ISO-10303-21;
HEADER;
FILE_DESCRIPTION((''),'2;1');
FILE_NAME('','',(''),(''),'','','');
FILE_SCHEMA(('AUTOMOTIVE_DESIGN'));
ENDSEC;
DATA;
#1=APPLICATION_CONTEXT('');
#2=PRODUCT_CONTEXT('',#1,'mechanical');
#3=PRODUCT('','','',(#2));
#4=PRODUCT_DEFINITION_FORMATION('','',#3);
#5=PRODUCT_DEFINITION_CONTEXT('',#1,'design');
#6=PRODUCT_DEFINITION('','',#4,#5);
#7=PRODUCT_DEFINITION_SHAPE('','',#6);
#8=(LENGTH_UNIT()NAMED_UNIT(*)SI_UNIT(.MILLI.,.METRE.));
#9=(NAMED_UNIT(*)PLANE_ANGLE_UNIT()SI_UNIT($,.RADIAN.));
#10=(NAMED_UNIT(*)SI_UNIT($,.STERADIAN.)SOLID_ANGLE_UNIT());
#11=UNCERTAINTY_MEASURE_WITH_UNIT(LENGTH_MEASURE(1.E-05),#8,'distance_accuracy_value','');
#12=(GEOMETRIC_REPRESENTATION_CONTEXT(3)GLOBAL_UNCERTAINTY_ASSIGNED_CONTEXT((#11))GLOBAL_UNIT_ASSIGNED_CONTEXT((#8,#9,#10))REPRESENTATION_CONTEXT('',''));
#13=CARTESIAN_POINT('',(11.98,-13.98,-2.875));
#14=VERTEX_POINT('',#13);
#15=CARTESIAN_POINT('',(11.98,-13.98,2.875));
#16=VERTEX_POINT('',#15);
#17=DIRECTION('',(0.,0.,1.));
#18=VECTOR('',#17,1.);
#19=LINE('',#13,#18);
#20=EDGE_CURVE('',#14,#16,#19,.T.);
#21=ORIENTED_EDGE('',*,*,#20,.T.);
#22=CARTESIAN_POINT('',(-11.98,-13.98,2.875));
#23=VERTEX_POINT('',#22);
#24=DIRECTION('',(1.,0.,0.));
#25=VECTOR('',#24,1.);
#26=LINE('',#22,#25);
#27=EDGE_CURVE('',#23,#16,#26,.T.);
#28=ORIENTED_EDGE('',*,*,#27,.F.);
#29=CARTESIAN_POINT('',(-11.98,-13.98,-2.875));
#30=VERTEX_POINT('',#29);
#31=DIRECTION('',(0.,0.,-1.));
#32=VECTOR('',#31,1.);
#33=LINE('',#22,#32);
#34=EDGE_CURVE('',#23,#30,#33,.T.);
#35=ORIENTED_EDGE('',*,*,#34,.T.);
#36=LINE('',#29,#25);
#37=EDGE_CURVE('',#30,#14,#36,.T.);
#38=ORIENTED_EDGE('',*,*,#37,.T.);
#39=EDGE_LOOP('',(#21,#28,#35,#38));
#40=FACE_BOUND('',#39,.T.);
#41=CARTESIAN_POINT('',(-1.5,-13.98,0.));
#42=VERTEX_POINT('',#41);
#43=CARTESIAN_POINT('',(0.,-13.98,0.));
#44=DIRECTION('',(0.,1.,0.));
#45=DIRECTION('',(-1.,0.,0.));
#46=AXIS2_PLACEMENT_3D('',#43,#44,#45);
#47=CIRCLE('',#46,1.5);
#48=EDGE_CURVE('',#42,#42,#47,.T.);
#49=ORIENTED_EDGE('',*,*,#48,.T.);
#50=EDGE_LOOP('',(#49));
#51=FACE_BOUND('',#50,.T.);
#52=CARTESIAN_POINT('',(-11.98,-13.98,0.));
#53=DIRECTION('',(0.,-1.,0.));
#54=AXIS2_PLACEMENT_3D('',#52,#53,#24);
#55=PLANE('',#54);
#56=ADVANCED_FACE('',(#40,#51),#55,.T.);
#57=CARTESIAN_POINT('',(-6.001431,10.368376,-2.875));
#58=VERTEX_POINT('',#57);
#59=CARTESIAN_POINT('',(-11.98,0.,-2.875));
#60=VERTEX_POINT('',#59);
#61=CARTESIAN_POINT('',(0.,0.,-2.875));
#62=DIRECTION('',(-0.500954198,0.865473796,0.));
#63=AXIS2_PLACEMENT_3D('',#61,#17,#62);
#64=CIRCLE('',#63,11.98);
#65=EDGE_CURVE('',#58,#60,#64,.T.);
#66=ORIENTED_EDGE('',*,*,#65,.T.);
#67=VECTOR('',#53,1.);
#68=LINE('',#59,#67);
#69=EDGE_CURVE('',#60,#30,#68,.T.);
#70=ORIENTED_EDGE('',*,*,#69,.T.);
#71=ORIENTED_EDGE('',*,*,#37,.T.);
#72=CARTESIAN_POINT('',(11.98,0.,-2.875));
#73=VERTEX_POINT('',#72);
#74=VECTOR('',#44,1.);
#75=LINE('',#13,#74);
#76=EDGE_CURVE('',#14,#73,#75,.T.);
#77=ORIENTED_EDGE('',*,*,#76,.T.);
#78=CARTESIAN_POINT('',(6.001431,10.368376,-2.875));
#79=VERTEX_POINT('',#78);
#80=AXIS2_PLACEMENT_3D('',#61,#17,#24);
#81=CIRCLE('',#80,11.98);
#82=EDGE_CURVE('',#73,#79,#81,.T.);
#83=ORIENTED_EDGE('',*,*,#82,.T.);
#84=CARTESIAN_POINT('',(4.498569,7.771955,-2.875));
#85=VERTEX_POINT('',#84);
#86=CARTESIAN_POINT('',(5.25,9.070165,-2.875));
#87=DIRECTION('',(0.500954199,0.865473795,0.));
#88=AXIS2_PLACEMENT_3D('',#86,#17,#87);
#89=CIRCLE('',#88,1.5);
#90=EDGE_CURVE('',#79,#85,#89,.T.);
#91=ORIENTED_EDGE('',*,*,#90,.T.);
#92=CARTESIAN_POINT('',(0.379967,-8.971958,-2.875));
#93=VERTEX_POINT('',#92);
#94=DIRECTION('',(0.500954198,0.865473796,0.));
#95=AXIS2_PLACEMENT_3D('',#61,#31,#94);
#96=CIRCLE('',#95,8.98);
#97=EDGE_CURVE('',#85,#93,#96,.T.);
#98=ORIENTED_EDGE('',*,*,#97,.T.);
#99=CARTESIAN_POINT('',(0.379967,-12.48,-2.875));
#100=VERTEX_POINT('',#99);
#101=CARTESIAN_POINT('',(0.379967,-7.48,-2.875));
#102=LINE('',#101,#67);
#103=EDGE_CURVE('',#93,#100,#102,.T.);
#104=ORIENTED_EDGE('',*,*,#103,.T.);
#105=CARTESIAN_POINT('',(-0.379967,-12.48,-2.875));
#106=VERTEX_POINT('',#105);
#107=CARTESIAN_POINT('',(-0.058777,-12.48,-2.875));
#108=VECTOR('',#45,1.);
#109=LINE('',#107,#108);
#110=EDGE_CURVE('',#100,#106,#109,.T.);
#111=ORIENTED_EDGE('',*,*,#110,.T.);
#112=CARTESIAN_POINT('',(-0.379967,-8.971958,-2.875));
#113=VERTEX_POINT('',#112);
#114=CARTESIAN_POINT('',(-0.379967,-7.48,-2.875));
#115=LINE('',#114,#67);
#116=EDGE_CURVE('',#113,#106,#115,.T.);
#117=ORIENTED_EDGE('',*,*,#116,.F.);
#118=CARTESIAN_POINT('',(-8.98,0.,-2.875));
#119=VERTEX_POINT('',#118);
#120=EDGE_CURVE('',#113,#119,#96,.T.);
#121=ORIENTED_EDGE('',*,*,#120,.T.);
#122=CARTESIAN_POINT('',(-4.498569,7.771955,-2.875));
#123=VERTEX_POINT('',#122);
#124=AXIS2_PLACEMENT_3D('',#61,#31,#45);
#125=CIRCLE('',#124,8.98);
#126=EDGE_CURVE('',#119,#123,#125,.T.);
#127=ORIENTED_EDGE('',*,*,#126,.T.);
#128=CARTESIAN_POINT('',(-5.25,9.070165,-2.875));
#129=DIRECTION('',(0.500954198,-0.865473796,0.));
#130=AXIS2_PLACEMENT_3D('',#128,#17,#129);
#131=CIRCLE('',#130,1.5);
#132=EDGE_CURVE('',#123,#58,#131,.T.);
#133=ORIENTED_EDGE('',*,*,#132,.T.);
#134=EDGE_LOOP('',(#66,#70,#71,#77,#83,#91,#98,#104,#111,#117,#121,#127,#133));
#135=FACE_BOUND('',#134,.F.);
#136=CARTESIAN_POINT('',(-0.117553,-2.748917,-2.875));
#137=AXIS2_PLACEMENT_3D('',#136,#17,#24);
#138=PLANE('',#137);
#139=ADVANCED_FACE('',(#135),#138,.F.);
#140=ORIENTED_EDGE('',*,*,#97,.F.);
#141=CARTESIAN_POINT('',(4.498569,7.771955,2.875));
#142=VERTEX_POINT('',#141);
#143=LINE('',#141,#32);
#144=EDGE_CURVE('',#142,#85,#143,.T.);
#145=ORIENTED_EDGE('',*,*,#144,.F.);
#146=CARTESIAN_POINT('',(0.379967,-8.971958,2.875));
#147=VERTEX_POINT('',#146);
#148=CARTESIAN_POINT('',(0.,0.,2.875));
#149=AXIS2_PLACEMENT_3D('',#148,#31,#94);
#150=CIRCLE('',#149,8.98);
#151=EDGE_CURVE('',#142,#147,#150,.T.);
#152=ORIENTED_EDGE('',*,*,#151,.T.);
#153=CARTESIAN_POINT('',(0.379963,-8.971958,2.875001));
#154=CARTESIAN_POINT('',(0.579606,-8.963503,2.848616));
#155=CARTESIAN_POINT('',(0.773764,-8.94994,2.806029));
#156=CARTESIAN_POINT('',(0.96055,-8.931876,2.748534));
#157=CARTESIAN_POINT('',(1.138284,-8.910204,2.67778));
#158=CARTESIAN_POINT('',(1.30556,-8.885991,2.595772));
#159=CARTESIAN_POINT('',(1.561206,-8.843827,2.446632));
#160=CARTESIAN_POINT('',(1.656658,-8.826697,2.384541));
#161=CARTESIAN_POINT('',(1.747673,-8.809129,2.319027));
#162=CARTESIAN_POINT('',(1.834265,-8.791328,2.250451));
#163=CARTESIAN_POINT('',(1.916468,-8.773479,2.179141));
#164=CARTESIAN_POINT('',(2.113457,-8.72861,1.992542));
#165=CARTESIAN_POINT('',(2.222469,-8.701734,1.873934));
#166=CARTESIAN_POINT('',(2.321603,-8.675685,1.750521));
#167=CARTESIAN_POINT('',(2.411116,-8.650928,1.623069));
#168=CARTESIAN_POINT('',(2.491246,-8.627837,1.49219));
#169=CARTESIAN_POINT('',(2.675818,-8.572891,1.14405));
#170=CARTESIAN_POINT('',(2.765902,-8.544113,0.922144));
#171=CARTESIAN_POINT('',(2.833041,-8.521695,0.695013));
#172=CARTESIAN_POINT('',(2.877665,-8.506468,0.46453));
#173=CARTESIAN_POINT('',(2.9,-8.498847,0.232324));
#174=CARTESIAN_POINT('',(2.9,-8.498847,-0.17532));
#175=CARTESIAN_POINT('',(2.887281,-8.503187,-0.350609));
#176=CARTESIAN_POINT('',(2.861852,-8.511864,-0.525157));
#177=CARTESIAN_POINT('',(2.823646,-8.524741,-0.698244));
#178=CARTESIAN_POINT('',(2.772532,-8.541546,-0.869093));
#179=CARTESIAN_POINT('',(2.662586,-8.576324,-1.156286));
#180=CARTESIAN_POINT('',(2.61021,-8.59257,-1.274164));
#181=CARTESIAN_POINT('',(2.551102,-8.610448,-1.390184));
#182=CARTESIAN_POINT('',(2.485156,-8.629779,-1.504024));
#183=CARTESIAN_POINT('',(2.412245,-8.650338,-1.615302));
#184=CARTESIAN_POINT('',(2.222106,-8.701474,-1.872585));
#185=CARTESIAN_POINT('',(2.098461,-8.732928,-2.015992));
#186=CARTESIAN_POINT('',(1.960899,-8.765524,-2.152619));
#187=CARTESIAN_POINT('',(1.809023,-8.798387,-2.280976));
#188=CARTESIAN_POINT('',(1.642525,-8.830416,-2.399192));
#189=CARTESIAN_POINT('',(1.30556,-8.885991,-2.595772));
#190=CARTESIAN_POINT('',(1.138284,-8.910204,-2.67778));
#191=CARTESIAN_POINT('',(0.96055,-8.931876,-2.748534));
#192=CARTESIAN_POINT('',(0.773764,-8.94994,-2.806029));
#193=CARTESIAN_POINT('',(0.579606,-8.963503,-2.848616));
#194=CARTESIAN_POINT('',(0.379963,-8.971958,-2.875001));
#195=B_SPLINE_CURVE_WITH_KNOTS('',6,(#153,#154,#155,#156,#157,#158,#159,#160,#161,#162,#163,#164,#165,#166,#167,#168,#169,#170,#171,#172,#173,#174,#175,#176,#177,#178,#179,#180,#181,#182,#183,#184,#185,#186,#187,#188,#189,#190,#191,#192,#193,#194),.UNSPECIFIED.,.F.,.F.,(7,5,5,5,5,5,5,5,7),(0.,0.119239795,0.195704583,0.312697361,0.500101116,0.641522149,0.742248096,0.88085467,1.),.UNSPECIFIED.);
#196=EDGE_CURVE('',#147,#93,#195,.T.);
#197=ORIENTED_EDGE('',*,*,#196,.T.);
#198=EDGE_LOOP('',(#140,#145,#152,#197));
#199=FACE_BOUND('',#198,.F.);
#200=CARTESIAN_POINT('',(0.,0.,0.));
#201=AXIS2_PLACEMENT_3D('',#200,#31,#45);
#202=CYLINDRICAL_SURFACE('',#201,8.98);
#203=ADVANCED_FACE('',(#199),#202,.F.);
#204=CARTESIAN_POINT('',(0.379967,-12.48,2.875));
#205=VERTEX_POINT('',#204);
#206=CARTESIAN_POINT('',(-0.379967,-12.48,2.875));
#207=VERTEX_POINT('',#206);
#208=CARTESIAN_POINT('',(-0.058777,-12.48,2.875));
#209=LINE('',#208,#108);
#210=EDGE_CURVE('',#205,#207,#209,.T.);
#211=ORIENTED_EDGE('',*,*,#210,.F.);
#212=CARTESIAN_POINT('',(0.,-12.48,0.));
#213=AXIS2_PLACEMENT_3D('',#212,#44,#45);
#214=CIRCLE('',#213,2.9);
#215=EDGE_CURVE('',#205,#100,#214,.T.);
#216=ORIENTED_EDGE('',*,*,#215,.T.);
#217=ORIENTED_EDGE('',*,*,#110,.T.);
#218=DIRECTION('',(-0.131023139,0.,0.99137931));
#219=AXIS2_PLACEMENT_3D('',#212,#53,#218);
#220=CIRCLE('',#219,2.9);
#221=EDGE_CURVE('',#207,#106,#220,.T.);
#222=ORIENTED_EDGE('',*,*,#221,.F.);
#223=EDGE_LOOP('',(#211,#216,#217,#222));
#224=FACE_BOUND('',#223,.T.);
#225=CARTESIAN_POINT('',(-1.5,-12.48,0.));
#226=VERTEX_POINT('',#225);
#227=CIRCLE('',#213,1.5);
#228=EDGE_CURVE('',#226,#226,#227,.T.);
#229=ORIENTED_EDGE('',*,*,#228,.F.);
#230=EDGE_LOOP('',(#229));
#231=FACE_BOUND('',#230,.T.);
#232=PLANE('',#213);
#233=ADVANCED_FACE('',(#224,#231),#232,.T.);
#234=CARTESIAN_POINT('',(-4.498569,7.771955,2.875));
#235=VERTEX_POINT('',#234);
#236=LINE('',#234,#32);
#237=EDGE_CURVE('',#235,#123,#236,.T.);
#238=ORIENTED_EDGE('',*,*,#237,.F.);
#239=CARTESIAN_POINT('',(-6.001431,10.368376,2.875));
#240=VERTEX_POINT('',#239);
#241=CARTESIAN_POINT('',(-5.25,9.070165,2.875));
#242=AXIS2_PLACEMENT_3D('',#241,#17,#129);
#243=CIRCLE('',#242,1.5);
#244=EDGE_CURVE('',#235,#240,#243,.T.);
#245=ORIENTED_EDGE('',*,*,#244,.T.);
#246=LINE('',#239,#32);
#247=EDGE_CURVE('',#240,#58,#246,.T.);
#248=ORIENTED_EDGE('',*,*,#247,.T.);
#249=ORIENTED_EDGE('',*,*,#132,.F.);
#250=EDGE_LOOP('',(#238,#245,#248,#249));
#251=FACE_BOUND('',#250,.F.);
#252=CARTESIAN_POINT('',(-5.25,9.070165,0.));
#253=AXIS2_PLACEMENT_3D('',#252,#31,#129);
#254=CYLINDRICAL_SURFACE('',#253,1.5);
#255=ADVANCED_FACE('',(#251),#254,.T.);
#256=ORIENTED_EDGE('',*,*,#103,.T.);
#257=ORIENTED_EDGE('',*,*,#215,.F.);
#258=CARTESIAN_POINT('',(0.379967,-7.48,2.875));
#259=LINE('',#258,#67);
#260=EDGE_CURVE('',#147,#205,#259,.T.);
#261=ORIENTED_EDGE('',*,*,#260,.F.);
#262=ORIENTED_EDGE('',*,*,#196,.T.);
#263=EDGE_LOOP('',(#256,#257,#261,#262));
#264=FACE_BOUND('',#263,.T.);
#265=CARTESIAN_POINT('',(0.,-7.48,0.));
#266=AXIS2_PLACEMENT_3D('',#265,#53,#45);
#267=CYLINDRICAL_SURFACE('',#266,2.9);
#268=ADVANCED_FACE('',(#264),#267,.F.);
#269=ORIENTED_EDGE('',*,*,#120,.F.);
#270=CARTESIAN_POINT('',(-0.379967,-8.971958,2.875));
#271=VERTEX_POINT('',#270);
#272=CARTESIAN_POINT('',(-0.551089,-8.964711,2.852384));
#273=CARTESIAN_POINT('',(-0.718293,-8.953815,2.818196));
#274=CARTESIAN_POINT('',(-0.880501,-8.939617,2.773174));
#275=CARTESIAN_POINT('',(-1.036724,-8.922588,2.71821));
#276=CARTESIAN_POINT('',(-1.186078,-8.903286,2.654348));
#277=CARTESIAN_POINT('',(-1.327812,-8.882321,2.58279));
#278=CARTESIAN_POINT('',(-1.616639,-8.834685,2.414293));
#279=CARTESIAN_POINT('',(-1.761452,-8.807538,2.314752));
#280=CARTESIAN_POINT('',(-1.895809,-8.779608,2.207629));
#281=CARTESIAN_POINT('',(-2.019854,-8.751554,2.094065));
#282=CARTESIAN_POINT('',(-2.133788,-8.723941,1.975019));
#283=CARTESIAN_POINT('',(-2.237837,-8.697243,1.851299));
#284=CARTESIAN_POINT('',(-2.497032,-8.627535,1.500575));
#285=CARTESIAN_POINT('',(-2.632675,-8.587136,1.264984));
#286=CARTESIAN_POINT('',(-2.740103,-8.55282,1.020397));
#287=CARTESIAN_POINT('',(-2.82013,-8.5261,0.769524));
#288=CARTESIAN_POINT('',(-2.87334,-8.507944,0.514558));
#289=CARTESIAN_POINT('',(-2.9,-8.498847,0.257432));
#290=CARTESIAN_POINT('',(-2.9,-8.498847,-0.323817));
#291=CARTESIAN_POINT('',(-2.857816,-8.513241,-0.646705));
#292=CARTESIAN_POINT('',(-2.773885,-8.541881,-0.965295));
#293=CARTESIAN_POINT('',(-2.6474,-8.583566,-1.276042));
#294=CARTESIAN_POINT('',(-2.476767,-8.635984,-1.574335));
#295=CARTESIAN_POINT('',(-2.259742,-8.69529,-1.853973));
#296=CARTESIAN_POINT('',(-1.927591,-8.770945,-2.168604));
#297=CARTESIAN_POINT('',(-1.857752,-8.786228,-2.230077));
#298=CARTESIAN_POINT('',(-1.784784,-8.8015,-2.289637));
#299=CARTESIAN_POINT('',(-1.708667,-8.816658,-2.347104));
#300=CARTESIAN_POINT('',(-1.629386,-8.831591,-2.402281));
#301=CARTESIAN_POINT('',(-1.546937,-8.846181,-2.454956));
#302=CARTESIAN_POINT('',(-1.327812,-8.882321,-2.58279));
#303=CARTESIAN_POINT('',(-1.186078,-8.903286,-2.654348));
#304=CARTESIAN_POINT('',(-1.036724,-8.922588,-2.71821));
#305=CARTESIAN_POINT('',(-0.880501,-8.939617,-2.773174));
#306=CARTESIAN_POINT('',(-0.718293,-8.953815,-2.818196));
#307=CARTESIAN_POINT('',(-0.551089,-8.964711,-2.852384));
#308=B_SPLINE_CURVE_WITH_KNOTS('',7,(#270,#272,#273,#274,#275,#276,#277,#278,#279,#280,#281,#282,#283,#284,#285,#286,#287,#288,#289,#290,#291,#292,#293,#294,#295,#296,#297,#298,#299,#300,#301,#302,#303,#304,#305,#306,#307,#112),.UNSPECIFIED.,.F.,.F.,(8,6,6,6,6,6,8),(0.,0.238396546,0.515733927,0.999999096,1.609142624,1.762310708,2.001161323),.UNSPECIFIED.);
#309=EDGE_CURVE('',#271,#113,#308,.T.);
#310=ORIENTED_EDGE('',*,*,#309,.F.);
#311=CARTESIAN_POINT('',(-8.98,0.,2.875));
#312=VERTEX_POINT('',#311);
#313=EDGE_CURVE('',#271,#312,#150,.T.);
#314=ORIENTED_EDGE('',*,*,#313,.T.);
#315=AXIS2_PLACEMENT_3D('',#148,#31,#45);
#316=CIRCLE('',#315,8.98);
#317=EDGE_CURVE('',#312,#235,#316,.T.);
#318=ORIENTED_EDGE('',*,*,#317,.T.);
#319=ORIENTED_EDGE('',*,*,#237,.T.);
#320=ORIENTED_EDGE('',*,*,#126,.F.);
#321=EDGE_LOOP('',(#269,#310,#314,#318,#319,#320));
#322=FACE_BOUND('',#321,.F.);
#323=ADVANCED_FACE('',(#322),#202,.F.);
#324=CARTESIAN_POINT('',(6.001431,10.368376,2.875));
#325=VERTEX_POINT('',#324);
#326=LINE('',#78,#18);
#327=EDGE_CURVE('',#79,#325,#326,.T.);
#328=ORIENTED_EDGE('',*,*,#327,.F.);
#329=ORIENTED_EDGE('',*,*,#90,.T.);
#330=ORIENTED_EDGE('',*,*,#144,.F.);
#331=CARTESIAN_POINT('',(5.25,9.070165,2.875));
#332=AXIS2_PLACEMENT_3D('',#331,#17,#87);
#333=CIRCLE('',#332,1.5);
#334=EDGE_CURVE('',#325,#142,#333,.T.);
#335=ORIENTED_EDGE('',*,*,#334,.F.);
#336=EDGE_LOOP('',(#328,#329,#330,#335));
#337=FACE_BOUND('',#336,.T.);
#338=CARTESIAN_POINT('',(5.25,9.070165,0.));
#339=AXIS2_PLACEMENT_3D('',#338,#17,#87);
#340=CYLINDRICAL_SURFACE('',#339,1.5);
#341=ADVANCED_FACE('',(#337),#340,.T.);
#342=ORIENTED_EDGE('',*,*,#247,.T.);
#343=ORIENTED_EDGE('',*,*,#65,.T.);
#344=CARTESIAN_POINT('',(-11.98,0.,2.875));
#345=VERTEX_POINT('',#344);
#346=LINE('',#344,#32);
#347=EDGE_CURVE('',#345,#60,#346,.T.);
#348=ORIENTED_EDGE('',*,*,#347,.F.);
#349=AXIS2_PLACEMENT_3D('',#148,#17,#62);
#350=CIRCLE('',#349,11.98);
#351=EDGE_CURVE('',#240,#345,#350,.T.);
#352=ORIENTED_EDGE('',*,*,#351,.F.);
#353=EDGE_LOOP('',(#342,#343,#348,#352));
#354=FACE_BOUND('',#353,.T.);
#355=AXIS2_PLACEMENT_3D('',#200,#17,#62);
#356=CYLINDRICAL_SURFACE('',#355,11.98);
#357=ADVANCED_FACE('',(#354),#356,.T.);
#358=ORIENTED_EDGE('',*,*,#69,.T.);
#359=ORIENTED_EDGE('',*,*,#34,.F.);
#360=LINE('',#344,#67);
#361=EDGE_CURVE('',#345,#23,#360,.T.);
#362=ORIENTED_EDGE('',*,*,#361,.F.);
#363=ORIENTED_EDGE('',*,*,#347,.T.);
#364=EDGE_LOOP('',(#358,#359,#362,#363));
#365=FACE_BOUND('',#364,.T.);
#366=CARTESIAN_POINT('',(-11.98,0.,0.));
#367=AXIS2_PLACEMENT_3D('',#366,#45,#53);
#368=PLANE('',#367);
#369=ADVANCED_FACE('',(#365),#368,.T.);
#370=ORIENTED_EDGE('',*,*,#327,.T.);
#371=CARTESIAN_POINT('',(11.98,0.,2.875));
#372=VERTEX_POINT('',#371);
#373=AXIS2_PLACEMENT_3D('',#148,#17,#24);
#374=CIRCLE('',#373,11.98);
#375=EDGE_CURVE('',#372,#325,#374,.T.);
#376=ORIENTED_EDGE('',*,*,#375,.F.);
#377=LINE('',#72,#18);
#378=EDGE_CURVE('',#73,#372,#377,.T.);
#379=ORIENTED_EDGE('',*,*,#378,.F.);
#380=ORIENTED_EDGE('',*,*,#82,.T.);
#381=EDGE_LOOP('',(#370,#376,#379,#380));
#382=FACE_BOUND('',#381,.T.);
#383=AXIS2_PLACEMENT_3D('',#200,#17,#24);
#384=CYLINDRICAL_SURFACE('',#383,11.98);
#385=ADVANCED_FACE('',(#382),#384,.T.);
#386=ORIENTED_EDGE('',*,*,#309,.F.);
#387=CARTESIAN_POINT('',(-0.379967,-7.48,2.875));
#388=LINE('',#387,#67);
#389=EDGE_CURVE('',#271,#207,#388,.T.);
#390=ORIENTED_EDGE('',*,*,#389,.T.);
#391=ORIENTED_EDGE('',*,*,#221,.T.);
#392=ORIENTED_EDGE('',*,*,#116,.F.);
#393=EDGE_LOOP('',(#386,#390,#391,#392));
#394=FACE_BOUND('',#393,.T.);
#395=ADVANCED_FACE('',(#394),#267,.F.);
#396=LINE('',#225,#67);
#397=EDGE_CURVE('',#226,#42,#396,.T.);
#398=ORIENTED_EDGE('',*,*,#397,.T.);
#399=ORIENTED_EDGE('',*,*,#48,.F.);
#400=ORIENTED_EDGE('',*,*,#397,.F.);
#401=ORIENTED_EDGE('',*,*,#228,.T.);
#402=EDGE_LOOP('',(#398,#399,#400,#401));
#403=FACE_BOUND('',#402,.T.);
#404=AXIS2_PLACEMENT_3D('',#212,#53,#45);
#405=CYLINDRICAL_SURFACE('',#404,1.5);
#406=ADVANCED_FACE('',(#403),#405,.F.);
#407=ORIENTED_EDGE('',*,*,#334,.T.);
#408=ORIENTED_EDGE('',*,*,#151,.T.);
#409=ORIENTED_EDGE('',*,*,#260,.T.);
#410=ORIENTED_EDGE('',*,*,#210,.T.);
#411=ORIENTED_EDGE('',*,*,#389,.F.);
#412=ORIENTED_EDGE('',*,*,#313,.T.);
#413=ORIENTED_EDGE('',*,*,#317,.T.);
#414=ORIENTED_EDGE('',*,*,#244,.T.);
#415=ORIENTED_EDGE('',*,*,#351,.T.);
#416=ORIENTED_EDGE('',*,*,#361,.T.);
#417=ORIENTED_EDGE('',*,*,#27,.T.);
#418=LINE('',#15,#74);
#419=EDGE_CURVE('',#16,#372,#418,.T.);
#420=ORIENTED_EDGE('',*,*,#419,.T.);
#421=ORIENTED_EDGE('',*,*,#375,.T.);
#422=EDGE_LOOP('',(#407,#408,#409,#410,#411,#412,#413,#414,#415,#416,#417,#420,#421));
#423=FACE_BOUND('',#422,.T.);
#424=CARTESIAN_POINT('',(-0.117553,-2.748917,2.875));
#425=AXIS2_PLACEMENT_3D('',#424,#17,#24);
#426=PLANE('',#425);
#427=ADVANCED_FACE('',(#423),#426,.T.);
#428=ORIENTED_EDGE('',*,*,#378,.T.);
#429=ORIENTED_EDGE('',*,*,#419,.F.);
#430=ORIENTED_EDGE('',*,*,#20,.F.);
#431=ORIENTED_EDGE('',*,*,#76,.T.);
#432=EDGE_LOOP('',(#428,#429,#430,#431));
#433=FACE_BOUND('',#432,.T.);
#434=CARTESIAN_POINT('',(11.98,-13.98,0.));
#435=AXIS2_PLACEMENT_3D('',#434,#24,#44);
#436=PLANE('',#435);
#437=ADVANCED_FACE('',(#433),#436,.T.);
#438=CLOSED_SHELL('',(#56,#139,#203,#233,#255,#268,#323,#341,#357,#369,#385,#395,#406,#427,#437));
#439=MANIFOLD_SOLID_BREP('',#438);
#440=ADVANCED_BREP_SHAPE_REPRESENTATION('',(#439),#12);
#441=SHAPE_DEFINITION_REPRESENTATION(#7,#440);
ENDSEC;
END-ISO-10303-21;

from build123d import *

# Parameters (mm, degrees)
BOSS_EXTRUDE1_DEPTH = 2.875


with BuildPart() as part:
    # Sketch1 → Boss-Extrude1 (new body, symmetric)
    with BuildSketch(Plane.XY):
        with BuildLine():
            Line((-11.98, -13.98), (11.98, -13.98))
            Line((11.98, -13.98), (11.98, 0))
            ThreePointArc((11.98, 0), (10.378283744, 5.984281622), (6.001431298, 10.368376072))
            ThreePointArc((6.001431298, 10.368376072), (3.951789306, 9.821596677), (4.498568702, 7.771954685))
            ThreePointArc((4.498568702, 7.771954685), (4.485713603, -7.779381304), (-8.98, 0))
            ThreePointArc((-8.98, 0), (-7.779381304, 4.485713603), (-4.498568702, 7.771954685))
            ThreePointArc((-4.498568702, 7.771954685), (-3.951789306, 9.821596677), (-6.001431298, 10.368376072))
            ThreePointArc((-6.001431298, 10.368376072), (-10.378283744, 5.984281622), (-11.98, 0))
            Line((-11.98, 0), (-11.98, -13.98))
        make_face()
    extrude(amount=BOSS_EXTRUDE1_DEPTH, both=True)

    # Sketch4 one side → Cut-Revolve1 (revolve, cut)
    with BuildSketch(Plane.XY):
        Polygon((-1.5, -13.98), (0, -13.98), (0, -7.48), (-2.9, -7.48), (-2.9, -12.48), (-1.5, -12.48), align=None)
    revolve(axis=Axis((0, -13.98, 0), (0, 1, 0)), mode=Mode.SUBTRACT)


solid = part.part
